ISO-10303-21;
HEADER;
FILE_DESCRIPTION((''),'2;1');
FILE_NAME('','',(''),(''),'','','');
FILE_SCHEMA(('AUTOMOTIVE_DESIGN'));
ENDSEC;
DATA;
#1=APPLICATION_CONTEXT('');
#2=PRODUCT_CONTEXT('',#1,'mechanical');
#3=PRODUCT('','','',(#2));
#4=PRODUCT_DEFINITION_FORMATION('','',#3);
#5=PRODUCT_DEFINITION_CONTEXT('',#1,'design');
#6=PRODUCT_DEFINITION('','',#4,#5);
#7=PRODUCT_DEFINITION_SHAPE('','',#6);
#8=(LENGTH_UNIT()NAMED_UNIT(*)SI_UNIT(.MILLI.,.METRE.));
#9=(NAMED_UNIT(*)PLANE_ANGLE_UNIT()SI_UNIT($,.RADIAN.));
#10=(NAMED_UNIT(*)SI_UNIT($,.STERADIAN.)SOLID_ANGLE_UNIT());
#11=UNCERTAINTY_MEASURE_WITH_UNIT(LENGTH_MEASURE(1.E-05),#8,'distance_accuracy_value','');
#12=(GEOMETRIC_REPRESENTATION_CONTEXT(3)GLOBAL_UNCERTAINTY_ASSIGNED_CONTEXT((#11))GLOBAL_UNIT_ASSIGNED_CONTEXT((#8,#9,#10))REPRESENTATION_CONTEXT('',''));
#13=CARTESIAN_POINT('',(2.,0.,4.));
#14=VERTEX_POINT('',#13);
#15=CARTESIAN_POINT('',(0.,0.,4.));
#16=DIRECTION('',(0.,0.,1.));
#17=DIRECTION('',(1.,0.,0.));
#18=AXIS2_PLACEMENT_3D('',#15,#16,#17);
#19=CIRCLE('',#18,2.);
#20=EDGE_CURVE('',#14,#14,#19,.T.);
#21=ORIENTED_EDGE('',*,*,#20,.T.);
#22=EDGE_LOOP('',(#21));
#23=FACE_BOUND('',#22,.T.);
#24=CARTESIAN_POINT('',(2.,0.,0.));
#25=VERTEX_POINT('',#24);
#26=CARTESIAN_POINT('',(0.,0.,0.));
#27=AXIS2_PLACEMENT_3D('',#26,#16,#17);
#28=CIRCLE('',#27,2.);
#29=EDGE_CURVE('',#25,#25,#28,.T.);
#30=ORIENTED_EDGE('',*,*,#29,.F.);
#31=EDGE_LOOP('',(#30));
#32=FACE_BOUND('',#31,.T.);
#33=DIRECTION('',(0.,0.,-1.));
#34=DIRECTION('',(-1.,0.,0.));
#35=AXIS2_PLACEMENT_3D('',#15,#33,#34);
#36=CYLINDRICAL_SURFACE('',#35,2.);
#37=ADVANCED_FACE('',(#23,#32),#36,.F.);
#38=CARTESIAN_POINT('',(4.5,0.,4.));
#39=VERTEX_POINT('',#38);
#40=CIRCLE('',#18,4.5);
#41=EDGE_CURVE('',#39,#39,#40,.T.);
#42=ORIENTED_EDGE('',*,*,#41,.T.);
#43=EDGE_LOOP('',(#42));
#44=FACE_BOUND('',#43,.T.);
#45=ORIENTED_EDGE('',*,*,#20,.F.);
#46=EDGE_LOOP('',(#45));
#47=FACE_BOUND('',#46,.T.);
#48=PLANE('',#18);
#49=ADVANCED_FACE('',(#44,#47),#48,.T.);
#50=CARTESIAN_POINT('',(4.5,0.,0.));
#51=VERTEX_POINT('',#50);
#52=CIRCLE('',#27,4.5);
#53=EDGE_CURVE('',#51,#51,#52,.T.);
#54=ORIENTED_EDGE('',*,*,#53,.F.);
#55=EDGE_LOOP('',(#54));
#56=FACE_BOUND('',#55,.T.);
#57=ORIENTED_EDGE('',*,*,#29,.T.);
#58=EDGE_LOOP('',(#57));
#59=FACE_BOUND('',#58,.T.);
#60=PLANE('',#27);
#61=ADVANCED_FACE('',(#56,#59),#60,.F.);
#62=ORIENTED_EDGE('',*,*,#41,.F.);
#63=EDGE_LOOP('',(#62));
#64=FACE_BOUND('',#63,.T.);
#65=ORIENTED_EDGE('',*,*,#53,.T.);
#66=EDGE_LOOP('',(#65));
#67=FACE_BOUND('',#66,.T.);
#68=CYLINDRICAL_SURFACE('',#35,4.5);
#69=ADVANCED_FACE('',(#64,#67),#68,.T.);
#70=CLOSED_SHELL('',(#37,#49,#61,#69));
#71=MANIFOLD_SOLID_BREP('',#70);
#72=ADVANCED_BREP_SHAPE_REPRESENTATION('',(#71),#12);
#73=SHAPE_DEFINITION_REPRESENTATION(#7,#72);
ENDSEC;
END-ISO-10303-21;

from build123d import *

# Parameters (mm, degrees)
SKETCH1_R           = 4.5
SKETCH1_R_2         = 2
BOSS_EXTRUDE1_DEPTH = 4


with BuildPart() as part:
    # Sketch1 → Boss-Extrude1 (new body)
    with BuildSketch(Plane.XY):
        Circle(SKETCH1_R)
        Circle(SKETCH1_R_2, mode=Mode.SUBTRACT)
    extrude(amount=BOSS_EXTRUDE1_DEPTH)


solid = part.part
